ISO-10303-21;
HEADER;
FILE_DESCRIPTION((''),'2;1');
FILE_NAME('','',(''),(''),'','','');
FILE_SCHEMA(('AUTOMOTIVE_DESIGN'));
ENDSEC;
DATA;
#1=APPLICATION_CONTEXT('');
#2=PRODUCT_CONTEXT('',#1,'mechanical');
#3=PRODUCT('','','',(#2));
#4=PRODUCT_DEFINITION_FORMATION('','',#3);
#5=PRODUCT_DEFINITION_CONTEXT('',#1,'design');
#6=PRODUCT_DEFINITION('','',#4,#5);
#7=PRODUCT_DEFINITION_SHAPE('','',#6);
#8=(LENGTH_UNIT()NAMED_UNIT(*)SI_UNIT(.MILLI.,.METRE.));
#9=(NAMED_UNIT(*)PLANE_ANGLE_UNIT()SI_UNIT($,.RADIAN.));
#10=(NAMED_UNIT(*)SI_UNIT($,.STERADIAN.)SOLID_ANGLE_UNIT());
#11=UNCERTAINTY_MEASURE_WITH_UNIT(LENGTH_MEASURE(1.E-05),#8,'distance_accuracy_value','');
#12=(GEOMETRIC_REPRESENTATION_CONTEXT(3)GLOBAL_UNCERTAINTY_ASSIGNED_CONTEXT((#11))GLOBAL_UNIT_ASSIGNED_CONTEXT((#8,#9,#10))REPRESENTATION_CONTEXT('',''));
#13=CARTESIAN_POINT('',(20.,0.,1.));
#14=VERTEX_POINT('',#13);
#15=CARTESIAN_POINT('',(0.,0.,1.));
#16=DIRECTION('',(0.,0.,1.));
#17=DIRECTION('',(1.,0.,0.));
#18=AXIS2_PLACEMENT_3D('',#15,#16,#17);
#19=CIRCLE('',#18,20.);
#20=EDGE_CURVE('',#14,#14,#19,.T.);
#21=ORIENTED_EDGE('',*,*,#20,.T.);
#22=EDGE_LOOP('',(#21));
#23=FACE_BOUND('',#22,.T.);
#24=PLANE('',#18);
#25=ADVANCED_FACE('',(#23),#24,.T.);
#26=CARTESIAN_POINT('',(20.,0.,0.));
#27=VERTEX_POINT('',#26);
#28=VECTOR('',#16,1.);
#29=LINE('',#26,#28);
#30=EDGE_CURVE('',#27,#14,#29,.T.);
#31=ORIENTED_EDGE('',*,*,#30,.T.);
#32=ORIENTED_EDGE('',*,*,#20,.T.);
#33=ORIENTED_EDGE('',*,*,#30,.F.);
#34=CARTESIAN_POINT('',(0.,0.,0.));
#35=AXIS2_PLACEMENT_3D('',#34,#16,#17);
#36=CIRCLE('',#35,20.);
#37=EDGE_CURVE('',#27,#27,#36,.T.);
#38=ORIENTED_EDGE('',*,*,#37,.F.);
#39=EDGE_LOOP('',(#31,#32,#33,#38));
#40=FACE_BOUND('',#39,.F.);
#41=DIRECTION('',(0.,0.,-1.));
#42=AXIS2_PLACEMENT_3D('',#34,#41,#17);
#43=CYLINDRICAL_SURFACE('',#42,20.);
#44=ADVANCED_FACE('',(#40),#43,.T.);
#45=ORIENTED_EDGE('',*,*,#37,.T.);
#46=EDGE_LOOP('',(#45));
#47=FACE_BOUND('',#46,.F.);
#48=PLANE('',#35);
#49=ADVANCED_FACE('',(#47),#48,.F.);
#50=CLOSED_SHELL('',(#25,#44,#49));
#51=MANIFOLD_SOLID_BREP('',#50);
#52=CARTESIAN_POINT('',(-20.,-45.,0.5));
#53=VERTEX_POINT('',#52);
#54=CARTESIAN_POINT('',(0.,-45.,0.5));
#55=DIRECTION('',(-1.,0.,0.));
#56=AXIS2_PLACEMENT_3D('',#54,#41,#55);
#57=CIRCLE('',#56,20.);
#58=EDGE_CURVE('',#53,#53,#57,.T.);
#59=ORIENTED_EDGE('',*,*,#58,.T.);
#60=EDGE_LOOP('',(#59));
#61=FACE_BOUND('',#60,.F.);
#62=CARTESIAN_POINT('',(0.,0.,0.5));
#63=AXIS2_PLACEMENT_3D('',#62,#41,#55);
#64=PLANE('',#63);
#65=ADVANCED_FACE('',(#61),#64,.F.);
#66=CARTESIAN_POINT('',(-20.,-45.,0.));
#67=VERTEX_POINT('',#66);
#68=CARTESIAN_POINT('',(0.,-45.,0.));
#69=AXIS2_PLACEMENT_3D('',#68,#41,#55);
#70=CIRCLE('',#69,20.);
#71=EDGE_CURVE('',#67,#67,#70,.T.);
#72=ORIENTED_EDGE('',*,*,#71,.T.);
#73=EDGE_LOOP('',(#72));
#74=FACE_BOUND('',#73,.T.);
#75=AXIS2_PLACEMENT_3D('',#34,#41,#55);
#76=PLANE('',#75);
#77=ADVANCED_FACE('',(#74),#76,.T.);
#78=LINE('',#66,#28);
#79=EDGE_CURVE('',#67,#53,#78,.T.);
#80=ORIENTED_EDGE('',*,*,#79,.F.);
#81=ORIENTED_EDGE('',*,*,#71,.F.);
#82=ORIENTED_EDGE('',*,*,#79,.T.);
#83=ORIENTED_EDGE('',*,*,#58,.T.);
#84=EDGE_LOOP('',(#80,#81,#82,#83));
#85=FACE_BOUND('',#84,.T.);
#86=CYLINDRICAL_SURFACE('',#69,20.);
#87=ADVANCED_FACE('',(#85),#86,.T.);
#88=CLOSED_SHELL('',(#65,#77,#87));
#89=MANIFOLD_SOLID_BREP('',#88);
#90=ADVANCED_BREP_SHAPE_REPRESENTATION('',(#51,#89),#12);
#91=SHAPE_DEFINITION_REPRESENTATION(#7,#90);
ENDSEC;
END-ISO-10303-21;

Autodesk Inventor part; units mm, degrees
ref_plane "YZ Plane" through (0, 0, 0) normal (1, 0, 0) x (0, 1, 0)
ref_plane "XZ Plane" through (0, 0, 0) normal (0, 1, 0) x (-1, 0, 0)
ref_plane "XY Plane" through (0, 0, 0) normal (0, 0, 1) x (1, 0, 0)
sketch "Sketch1" plane through (0, 0, 0) normal (0, 0, 1) x (1, 0, 0)
  circle A0 centre (0, 0) radius 20
  dimension "d0" = 40
extrude "Extrusion1" add sketch "Sketch1" along normal blind 1
sketch "Sketch2" plane through (0, 0, 0) normal (0, 0, -1) x (-1, 0, 0)
  circle A0 centre (0, -45) radius 20
  circle A1 centre (0, 0) radius 20 projected
  dimension "d5" = 45
extrude "Extrusion2" add sketch "Sketch2" against normal blind 0.5 contours A0
properties part number "BaseSpacersForDummies"
